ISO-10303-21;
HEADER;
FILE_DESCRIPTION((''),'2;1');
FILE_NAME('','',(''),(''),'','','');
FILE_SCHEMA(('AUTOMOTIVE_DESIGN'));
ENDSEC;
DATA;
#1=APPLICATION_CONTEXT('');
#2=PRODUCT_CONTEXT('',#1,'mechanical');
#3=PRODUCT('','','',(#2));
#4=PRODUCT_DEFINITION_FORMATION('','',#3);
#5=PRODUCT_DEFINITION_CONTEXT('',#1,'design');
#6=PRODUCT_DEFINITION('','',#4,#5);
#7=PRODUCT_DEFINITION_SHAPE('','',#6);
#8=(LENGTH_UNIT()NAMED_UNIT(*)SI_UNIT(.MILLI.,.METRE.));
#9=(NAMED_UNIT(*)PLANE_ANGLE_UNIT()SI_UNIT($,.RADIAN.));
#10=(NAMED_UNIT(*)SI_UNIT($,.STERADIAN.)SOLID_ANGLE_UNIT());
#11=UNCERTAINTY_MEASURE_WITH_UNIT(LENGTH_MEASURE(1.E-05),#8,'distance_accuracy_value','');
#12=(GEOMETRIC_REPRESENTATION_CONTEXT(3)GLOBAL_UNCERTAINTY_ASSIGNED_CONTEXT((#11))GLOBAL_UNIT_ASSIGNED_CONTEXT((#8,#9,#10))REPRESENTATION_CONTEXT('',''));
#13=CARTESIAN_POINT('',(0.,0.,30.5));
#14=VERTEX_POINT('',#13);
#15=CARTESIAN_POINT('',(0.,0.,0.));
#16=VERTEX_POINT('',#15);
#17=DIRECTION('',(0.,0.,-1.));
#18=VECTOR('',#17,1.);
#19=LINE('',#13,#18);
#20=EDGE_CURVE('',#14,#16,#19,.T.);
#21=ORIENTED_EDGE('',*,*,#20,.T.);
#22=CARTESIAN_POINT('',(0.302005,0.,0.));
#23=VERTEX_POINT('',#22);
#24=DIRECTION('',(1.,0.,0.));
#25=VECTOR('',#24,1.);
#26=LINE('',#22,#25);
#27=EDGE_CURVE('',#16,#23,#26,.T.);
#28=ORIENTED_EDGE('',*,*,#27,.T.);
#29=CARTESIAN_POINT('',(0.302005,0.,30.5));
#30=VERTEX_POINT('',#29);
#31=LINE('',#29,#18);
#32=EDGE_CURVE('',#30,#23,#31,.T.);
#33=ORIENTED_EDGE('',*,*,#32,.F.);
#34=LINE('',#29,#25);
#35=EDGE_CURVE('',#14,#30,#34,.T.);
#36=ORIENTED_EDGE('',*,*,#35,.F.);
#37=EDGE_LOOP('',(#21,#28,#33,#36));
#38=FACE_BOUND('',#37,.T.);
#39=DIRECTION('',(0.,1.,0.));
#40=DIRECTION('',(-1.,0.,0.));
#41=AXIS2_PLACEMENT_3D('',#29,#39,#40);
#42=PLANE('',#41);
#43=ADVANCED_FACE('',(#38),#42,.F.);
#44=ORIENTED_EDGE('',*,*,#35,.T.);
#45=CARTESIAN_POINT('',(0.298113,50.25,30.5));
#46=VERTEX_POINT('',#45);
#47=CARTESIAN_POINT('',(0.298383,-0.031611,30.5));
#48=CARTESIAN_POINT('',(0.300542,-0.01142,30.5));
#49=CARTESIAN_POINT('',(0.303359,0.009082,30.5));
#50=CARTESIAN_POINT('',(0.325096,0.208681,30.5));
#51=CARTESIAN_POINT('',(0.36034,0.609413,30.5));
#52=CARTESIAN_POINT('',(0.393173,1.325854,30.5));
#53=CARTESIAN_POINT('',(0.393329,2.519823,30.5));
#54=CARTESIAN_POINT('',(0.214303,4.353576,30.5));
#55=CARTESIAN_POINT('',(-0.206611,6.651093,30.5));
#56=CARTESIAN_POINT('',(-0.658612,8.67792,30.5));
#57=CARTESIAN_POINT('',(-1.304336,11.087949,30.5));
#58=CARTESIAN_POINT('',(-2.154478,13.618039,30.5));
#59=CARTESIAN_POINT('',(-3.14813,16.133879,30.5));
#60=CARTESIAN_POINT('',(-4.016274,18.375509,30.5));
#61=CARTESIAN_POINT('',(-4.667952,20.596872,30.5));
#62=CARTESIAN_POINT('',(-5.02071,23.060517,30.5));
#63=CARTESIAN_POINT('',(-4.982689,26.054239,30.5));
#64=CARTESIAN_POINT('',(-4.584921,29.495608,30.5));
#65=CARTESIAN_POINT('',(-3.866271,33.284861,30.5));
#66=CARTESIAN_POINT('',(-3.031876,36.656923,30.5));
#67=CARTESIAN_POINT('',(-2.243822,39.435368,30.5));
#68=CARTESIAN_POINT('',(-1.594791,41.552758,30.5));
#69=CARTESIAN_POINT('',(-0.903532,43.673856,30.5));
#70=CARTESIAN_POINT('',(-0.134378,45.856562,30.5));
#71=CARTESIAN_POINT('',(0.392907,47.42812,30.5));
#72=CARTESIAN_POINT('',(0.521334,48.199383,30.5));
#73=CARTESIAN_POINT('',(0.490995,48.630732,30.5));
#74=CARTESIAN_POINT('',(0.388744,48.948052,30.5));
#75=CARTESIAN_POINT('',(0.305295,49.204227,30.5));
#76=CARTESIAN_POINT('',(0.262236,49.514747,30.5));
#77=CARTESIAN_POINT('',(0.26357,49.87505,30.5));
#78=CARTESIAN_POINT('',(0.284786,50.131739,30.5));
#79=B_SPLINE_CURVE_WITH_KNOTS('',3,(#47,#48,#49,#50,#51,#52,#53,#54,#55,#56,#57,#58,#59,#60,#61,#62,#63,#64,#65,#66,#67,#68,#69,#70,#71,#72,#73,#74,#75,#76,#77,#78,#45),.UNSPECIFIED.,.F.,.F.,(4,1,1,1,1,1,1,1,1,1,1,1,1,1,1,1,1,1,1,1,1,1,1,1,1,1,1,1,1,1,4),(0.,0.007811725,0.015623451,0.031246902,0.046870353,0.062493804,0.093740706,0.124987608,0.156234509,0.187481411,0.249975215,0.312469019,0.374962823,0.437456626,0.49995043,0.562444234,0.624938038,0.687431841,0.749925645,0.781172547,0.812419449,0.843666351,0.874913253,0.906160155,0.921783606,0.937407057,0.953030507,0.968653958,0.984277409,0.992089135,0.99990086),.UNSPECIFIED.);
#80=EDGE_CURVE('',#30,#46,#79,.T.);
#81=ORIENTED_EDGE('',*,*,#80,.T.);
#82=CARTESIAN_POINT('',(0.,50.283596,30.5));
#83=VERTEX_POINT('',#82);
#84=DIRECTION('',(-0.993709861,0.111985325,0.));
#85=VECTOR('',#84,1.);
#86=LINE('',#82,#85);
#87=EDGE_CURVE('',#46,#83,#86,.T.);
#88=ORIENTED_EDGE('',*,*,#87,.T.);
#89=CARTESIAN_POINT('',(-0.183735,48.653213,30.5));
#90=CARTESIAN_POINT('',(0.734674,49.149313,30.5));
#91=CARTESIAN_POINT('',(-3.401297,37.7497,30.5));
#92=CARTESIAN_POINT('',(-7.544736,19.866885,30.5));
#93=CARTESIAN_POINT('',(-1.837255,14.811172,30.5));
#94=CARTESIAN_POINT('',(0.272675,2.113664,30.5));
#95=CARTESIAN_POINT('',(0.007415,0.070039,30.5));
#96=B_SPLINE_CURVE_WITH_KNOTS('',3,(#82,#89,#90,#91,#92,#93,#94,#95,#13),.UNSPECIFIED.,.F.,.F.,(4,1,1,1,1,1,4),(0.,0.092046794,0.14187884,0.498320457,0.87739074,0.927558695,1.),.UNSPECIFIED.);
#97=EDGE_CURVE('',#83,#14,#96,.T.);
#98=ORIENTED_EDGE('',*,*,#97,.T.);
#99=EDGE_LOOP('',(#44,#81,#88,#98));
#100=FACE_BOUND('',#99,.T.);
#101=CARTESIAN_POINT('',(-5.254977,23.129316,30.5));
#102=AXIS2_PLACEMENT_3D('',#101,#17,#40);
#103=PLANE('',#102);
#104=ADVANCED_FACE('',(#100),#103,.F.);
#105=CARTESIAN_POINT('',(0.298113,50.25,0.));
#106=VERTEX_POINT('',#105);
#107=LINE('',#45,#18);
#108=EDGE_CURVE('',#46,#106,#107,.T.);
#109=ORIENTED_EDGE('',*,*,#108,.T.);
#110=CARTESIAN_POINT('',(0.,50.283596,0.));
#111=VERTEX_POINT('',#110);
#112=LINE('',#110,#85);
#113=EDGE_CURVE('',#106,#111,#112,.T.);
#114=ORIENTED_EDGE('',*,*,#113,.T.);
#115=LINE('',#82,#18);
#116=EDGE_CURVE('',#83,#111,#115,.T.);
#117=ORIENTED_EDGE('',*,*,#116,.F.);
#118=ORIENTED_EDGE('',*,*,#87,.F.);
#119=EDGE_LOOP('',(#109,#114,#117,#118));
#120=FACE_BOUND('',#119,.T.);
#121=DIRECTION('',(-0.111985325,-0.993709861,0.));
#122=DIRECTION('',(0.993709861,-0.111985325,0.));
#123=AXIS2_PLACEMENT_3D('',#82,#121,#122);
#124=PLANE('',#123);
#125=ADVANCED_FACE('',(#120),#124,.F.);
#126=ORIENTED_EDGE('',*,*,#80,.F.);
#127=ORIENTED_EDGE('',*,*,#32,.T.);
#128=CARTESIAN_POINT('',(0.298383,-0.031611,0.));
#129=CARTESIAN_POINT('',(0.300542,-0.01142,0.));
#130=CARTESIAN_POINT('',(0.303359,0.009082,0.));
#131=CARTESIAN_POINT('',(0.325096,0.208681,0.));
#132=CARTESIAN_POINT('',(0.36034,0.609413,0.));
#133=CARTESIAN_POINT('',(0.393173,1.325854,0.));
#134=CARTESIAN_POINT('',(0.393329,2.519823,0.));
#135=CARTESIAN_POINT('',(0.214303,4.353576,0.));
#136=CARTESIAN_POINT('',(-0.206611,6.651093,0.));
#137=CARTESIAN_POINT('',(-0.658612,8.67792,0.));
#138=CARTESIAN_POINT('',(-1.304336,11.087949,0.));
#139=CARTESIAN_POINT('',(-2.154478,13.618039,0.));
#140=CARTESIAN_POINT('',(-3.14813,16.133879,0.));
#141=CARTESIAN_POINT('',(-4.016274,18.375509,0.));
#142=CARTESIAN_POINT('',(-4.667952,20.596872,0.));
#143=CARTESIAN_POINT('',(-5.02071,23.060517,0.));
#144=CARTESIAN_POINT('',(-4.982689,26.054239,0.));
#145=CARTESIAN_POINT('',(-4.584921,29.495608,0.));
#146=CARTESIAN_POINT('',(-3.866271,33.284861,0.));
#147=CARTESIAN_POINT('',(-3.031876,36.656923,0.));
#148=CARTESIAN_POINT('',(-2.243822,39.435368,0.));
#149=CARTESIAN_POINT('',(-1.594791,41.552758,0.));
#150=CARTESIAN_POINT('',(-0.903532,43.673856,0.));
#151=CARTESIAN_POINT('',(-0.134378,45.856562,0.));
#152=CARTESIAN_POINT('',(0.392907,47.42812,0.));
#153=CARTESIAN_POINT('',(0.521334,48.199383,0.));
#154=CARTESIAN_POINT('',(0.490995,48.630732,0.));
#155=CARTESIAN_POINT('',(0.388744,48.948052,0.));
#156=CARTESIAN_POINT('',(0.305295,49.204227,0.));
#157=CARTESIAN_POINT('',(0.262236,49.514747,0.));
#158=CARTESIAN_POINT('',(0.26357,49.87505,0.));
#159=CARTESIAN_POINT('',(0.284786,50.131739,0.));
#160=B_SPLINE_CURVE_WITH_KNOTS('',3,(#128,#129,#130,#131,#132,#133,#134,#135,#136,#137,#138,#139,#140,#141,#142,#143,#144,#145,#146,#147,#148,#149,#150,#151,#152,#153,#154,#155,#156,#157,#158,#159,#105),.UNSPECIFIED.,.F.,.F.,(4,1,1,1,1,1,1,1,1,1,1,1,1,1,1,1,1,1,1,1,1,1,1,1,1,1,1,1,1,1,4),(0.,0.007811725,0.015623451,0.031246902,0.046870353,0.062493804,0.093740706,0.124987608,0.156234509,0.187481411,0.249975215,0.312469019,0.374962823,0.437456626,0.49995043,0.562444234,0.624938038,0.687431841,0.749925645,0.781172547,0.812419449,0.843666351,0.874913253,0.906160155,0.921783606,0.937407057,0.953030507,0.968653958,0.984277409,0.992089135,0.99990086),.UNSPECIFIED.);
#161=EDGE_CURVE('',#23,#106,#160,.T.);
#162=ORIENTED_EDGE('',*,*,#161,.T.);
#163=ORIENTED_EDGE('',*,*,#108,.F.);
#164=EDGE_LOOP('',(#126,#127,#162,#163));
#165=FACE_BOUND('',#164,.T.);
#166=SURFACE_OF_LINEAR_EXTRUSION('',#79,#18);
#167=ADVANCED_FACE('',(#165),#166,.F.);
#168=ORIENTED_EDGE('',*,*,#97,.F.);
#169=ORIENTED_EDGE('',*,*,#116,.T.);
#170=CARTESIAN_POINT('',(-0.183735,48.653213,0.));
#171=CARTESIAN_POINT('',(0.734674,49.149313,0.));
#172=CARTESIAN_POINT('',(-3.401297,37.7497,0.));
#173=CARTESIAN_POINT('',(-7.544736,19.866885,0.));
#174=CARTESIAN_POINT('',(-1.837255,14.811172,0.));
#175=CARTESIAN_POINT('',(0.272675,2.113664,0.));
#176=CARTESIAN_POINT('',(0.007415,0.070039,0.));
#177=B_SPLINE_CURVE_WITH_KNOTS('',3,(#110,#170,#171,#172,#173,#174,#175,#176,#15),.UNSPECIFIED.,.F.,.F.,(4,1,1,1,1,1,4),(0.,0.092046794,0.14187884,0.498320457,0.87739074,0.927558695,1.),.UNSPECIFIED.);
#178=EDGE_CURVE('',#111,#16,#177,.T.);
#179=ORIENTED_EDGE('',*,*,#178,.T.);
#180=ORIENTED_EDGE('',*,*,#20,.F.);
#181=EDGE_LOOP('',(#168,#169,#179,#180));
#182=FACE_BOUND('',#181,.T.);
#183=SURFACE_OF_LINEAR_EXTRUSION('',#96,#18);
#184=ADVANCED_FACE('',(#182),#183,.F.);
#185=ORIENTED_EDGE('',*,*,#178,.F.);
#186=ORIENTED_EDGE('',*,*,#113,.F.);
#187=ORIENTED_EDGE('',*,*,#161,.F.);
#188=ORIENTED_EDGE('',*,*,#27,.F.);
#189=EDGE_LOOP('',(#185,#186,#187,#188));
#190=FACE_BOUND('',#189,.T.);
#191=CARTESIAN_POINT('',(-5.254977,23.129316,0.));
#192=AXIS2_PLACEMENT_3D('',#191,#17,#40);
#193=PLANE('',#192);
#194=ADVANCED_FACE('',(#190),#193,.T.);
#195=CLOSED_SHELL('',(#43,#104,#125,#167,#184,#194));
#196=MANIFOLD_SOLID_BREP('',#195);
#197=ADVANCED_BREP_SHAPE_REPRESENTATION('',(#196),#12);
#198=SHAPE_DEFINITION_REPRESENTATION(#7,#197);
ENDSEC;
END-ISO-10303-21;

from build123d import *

# Parameters (mm, degrees)
BOSS_EXTRUDE3_DEPTH = 30.5


with BuildPart() as part:
    # Sketch3 → Boss-Extrude3 (new body)
    with BuildSketch(Plane.XY):
        with BuildLine():
            Line((0, 50.283595597), (0.298112958, 50.25))
            add(Edge.make_bspline(
                [(0.298112958, 50.25), (0.28478564, 50.131739077), (0.263569389, 49.875050281), (0.2622349, 49.514746788), (0.305293973, 49.204227285), (0.388742231, 48.948051747), (0.490993147, 48.630732209), (0.521331375, 48.199383254), (0.392904156, 47.428120216), (-0.134382542, 45.856563222), (-0.903538746, 43.673857833), (-1.594799818, 41.552760651), (-2.24383293, 39.435372394), (-3.031889636, 36.656927859), (-3.866288222, 33.28486732), (-4.584941957, 29.495615446), (-4.982713785, 26.054247031), (-5.020737192, 23.060525629), (-4.667982161, 20.596881047), (-4.016306461, 18.375517879), (-3.148165357, 16.133886804), (-2.154516002, 13.618046014), (-1.304375909, 11.087955106), (-0.658655191, 8.67792644), (-0.206656294, 6.651099048), (0.214255911, 4.353581481), (0.393279926, 2.519829169), (0.393122336, 1.325859871), (0.36028816, 0.609419432), (0.325044689, 0.208686666), (0.30652647, 0.038652555), (0.302865336, 0.007692257), (0.302004613, 0)],
                knots=[0, 0, 0, 0, 0.007811725, 0.015623451, 0.031246902, 0.046870353, 0.062493804, 0.078117255, 0.093740706, 0.124987608, 0.156234509, 0.187481411, 0.218728313, 0.249975215, 0.312469019, 0.374962823, 0.437456626, 0.49995043, 0.562444234, 0.624938038, 0.687431841, 0.749925645, 0.812419449, 0.843666351, 0.874913253, 0.906160155, 0.937407057, 0.953030507, 0.968653958, 0.984277409, 0.992089135, 0.995272562, 0.995272562, 0.995272562, 0.995272562], degree=3))
            Line((0.302004613, 0), (0, 0))
            add(Edge.make_bspline(
                [(0, 50.283595597), (-0.183734666, 48.653212787), (0.734674188, 49.149312845), (-3.401297055, 37.749700344), (-7.544735759, 19.866885032), (-1.837255242, 14.811171974), (0.272675027, 2.113664464), (0.007414605, 0.070039471), (0, 0)],
                knots=[0, 0, 0, 0, 0.092046794, 0.14187884, 0.498320457, 0.87739074, 0.927558695, 1, 1, 1, 1], degree=3))
        make_face()
    extrude(amount=BOSS_EXTRUDE3_DEPTH)


solid = part.part
